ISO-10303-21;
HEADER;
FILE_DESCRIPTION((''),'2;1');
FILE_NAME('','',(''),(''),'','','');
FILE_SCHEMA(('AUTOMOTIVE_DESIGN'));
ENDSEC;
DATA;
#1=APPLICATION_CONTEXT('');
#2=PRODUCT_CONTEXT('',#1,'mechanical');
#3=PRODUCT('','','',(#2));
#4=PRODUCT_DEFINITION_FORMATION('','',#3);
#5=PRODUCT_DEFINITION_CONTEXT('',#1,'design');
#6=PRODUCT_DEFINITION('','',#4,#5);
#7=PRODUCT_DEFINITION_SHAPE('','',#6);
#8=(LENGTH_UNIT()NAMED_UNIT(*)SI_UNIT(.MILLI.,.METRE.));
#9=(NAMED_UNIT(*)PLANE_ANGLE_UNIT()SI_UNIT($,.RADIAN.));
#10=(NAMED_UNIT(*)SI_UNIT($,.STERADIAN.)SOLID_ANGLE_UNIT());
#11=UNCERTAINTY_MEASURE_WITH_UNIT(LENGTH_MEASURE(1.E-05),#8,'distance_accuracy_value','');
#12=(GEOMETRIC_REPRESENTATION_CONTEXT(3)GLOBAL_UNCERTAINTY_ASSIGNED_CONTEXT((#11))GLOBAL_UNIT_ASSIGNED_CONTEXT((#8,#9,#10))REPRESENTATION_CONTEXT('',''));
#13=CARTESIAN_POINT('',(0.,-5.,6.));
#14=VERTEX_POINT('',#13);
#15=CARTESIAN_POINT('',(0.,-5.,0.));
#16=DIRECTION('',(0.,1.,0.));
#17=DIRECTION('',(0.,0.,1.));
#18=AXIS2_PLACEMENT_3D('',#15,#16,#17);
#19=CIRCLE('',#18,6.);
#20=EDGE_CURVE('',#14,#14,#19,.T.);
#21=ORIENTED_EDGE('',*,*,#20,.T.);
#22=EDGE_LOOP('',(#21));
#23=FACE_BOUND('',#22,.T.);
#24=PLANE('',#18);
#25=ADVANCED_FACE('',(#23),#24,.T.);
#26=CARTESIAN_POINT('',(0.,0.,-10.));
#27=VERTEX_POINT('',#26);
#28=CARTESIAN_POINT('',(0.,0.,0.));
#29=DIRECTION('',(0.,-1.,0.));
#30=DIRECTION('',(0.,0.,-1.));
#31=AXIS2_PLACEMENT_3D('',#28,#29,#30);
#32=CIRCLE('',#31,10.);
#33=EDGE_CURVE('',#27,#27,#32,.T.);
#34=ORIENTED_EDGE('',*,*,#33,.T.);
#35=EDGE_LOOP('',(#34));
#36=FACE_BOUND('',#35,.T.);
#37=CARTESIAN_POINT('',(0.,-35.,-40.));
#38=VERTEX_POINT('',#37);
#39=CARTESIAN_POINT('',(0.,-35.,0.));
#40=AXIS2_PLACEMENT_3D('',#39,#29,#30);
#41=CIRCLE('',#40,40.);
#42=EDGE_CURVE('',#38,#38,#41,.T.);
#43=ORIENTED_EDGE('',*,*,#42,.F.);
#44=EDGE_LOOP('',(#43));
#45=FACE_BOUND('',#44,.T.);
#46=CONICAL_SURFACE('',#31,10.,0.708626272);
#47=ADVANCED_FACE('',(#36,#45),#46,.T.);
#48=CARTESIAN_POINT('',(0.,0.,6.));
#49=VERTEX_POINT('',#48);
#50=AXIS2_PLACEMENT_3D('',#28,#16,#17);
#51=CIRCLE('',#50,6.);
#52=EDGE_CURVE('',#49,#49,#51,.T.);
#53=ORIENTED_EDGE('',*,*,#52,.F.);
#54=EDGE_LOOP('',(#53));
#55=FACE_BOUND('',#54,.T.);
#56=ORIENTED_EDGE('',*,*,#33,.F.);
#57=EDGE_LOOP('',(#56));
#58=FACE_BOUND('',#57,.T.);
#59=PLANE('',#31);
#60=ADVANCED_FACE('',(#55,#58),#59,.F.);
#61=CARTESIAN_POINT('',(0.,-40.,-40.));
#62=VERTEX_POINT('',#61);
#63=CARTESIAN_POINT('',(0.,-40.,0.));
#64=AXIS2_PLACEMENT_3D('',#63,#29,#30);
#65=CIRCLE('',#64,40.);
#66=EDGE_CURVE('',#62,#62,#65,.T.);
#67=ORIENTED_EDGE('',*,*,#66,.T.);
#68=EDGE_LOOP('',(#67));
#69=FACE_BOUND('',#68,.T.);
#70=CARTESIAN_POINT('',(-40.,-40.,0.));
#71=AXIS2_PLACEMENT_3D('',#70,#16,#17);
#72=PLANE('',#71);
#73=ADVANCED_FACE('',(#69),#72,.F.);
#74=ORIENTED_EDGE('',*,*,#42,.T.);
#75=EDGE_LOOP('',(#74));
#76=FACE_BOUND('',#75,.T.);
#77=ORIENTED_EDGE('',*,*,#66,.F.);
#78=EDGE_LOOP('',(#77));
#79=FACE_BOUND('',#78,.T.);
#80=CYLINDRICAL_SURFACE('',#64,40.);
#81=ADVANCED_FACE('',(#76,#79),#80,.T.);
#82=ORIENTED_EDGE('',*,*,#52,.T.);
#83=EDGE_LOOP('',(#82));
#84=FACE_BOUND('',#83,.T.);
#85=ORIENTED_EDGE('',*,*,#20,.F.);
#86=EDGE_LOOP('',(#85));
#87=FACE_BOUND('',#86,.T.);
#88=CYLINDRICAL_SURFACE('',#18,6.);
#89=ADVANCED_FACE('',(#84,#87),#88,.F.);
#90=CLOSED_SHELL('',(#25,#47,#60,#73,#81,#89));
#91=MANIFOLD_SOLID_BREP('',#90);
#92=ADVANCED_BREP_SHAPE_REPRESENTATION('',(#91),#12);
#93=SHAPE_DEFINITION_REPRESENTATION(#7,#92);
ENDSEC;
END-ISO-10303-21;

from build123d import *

# Parameters (mm, degrees)
SKETCH2_R          = 6
CUT_EXTRUDE1_DEPTH = 5


with BuildPart() as part:
    # Sketch1 → Revolve1 (revolve)
    with BuildSketch(Plane.XY):
        Polygon((0, 0), (-10, 0), (-40, -35), (-40, -40), (0, -40), align=None)
    revolve(axis=Axis((0, -40, 0), (0, 1, 0)))

    # Sketch2 → Cut-Extrude1 (cut)
    with BuildSketch(Plane(origin=(0, 0, 0), x_dir=(1, 0, 0), z_dir=(0, 1, 0))):
        Circle(SKETCH2_R)
    extrude(amount=-CUT_EXTRUDE1_DEPTH, mode=Mode.SUBTRACT)


solid = part.part
